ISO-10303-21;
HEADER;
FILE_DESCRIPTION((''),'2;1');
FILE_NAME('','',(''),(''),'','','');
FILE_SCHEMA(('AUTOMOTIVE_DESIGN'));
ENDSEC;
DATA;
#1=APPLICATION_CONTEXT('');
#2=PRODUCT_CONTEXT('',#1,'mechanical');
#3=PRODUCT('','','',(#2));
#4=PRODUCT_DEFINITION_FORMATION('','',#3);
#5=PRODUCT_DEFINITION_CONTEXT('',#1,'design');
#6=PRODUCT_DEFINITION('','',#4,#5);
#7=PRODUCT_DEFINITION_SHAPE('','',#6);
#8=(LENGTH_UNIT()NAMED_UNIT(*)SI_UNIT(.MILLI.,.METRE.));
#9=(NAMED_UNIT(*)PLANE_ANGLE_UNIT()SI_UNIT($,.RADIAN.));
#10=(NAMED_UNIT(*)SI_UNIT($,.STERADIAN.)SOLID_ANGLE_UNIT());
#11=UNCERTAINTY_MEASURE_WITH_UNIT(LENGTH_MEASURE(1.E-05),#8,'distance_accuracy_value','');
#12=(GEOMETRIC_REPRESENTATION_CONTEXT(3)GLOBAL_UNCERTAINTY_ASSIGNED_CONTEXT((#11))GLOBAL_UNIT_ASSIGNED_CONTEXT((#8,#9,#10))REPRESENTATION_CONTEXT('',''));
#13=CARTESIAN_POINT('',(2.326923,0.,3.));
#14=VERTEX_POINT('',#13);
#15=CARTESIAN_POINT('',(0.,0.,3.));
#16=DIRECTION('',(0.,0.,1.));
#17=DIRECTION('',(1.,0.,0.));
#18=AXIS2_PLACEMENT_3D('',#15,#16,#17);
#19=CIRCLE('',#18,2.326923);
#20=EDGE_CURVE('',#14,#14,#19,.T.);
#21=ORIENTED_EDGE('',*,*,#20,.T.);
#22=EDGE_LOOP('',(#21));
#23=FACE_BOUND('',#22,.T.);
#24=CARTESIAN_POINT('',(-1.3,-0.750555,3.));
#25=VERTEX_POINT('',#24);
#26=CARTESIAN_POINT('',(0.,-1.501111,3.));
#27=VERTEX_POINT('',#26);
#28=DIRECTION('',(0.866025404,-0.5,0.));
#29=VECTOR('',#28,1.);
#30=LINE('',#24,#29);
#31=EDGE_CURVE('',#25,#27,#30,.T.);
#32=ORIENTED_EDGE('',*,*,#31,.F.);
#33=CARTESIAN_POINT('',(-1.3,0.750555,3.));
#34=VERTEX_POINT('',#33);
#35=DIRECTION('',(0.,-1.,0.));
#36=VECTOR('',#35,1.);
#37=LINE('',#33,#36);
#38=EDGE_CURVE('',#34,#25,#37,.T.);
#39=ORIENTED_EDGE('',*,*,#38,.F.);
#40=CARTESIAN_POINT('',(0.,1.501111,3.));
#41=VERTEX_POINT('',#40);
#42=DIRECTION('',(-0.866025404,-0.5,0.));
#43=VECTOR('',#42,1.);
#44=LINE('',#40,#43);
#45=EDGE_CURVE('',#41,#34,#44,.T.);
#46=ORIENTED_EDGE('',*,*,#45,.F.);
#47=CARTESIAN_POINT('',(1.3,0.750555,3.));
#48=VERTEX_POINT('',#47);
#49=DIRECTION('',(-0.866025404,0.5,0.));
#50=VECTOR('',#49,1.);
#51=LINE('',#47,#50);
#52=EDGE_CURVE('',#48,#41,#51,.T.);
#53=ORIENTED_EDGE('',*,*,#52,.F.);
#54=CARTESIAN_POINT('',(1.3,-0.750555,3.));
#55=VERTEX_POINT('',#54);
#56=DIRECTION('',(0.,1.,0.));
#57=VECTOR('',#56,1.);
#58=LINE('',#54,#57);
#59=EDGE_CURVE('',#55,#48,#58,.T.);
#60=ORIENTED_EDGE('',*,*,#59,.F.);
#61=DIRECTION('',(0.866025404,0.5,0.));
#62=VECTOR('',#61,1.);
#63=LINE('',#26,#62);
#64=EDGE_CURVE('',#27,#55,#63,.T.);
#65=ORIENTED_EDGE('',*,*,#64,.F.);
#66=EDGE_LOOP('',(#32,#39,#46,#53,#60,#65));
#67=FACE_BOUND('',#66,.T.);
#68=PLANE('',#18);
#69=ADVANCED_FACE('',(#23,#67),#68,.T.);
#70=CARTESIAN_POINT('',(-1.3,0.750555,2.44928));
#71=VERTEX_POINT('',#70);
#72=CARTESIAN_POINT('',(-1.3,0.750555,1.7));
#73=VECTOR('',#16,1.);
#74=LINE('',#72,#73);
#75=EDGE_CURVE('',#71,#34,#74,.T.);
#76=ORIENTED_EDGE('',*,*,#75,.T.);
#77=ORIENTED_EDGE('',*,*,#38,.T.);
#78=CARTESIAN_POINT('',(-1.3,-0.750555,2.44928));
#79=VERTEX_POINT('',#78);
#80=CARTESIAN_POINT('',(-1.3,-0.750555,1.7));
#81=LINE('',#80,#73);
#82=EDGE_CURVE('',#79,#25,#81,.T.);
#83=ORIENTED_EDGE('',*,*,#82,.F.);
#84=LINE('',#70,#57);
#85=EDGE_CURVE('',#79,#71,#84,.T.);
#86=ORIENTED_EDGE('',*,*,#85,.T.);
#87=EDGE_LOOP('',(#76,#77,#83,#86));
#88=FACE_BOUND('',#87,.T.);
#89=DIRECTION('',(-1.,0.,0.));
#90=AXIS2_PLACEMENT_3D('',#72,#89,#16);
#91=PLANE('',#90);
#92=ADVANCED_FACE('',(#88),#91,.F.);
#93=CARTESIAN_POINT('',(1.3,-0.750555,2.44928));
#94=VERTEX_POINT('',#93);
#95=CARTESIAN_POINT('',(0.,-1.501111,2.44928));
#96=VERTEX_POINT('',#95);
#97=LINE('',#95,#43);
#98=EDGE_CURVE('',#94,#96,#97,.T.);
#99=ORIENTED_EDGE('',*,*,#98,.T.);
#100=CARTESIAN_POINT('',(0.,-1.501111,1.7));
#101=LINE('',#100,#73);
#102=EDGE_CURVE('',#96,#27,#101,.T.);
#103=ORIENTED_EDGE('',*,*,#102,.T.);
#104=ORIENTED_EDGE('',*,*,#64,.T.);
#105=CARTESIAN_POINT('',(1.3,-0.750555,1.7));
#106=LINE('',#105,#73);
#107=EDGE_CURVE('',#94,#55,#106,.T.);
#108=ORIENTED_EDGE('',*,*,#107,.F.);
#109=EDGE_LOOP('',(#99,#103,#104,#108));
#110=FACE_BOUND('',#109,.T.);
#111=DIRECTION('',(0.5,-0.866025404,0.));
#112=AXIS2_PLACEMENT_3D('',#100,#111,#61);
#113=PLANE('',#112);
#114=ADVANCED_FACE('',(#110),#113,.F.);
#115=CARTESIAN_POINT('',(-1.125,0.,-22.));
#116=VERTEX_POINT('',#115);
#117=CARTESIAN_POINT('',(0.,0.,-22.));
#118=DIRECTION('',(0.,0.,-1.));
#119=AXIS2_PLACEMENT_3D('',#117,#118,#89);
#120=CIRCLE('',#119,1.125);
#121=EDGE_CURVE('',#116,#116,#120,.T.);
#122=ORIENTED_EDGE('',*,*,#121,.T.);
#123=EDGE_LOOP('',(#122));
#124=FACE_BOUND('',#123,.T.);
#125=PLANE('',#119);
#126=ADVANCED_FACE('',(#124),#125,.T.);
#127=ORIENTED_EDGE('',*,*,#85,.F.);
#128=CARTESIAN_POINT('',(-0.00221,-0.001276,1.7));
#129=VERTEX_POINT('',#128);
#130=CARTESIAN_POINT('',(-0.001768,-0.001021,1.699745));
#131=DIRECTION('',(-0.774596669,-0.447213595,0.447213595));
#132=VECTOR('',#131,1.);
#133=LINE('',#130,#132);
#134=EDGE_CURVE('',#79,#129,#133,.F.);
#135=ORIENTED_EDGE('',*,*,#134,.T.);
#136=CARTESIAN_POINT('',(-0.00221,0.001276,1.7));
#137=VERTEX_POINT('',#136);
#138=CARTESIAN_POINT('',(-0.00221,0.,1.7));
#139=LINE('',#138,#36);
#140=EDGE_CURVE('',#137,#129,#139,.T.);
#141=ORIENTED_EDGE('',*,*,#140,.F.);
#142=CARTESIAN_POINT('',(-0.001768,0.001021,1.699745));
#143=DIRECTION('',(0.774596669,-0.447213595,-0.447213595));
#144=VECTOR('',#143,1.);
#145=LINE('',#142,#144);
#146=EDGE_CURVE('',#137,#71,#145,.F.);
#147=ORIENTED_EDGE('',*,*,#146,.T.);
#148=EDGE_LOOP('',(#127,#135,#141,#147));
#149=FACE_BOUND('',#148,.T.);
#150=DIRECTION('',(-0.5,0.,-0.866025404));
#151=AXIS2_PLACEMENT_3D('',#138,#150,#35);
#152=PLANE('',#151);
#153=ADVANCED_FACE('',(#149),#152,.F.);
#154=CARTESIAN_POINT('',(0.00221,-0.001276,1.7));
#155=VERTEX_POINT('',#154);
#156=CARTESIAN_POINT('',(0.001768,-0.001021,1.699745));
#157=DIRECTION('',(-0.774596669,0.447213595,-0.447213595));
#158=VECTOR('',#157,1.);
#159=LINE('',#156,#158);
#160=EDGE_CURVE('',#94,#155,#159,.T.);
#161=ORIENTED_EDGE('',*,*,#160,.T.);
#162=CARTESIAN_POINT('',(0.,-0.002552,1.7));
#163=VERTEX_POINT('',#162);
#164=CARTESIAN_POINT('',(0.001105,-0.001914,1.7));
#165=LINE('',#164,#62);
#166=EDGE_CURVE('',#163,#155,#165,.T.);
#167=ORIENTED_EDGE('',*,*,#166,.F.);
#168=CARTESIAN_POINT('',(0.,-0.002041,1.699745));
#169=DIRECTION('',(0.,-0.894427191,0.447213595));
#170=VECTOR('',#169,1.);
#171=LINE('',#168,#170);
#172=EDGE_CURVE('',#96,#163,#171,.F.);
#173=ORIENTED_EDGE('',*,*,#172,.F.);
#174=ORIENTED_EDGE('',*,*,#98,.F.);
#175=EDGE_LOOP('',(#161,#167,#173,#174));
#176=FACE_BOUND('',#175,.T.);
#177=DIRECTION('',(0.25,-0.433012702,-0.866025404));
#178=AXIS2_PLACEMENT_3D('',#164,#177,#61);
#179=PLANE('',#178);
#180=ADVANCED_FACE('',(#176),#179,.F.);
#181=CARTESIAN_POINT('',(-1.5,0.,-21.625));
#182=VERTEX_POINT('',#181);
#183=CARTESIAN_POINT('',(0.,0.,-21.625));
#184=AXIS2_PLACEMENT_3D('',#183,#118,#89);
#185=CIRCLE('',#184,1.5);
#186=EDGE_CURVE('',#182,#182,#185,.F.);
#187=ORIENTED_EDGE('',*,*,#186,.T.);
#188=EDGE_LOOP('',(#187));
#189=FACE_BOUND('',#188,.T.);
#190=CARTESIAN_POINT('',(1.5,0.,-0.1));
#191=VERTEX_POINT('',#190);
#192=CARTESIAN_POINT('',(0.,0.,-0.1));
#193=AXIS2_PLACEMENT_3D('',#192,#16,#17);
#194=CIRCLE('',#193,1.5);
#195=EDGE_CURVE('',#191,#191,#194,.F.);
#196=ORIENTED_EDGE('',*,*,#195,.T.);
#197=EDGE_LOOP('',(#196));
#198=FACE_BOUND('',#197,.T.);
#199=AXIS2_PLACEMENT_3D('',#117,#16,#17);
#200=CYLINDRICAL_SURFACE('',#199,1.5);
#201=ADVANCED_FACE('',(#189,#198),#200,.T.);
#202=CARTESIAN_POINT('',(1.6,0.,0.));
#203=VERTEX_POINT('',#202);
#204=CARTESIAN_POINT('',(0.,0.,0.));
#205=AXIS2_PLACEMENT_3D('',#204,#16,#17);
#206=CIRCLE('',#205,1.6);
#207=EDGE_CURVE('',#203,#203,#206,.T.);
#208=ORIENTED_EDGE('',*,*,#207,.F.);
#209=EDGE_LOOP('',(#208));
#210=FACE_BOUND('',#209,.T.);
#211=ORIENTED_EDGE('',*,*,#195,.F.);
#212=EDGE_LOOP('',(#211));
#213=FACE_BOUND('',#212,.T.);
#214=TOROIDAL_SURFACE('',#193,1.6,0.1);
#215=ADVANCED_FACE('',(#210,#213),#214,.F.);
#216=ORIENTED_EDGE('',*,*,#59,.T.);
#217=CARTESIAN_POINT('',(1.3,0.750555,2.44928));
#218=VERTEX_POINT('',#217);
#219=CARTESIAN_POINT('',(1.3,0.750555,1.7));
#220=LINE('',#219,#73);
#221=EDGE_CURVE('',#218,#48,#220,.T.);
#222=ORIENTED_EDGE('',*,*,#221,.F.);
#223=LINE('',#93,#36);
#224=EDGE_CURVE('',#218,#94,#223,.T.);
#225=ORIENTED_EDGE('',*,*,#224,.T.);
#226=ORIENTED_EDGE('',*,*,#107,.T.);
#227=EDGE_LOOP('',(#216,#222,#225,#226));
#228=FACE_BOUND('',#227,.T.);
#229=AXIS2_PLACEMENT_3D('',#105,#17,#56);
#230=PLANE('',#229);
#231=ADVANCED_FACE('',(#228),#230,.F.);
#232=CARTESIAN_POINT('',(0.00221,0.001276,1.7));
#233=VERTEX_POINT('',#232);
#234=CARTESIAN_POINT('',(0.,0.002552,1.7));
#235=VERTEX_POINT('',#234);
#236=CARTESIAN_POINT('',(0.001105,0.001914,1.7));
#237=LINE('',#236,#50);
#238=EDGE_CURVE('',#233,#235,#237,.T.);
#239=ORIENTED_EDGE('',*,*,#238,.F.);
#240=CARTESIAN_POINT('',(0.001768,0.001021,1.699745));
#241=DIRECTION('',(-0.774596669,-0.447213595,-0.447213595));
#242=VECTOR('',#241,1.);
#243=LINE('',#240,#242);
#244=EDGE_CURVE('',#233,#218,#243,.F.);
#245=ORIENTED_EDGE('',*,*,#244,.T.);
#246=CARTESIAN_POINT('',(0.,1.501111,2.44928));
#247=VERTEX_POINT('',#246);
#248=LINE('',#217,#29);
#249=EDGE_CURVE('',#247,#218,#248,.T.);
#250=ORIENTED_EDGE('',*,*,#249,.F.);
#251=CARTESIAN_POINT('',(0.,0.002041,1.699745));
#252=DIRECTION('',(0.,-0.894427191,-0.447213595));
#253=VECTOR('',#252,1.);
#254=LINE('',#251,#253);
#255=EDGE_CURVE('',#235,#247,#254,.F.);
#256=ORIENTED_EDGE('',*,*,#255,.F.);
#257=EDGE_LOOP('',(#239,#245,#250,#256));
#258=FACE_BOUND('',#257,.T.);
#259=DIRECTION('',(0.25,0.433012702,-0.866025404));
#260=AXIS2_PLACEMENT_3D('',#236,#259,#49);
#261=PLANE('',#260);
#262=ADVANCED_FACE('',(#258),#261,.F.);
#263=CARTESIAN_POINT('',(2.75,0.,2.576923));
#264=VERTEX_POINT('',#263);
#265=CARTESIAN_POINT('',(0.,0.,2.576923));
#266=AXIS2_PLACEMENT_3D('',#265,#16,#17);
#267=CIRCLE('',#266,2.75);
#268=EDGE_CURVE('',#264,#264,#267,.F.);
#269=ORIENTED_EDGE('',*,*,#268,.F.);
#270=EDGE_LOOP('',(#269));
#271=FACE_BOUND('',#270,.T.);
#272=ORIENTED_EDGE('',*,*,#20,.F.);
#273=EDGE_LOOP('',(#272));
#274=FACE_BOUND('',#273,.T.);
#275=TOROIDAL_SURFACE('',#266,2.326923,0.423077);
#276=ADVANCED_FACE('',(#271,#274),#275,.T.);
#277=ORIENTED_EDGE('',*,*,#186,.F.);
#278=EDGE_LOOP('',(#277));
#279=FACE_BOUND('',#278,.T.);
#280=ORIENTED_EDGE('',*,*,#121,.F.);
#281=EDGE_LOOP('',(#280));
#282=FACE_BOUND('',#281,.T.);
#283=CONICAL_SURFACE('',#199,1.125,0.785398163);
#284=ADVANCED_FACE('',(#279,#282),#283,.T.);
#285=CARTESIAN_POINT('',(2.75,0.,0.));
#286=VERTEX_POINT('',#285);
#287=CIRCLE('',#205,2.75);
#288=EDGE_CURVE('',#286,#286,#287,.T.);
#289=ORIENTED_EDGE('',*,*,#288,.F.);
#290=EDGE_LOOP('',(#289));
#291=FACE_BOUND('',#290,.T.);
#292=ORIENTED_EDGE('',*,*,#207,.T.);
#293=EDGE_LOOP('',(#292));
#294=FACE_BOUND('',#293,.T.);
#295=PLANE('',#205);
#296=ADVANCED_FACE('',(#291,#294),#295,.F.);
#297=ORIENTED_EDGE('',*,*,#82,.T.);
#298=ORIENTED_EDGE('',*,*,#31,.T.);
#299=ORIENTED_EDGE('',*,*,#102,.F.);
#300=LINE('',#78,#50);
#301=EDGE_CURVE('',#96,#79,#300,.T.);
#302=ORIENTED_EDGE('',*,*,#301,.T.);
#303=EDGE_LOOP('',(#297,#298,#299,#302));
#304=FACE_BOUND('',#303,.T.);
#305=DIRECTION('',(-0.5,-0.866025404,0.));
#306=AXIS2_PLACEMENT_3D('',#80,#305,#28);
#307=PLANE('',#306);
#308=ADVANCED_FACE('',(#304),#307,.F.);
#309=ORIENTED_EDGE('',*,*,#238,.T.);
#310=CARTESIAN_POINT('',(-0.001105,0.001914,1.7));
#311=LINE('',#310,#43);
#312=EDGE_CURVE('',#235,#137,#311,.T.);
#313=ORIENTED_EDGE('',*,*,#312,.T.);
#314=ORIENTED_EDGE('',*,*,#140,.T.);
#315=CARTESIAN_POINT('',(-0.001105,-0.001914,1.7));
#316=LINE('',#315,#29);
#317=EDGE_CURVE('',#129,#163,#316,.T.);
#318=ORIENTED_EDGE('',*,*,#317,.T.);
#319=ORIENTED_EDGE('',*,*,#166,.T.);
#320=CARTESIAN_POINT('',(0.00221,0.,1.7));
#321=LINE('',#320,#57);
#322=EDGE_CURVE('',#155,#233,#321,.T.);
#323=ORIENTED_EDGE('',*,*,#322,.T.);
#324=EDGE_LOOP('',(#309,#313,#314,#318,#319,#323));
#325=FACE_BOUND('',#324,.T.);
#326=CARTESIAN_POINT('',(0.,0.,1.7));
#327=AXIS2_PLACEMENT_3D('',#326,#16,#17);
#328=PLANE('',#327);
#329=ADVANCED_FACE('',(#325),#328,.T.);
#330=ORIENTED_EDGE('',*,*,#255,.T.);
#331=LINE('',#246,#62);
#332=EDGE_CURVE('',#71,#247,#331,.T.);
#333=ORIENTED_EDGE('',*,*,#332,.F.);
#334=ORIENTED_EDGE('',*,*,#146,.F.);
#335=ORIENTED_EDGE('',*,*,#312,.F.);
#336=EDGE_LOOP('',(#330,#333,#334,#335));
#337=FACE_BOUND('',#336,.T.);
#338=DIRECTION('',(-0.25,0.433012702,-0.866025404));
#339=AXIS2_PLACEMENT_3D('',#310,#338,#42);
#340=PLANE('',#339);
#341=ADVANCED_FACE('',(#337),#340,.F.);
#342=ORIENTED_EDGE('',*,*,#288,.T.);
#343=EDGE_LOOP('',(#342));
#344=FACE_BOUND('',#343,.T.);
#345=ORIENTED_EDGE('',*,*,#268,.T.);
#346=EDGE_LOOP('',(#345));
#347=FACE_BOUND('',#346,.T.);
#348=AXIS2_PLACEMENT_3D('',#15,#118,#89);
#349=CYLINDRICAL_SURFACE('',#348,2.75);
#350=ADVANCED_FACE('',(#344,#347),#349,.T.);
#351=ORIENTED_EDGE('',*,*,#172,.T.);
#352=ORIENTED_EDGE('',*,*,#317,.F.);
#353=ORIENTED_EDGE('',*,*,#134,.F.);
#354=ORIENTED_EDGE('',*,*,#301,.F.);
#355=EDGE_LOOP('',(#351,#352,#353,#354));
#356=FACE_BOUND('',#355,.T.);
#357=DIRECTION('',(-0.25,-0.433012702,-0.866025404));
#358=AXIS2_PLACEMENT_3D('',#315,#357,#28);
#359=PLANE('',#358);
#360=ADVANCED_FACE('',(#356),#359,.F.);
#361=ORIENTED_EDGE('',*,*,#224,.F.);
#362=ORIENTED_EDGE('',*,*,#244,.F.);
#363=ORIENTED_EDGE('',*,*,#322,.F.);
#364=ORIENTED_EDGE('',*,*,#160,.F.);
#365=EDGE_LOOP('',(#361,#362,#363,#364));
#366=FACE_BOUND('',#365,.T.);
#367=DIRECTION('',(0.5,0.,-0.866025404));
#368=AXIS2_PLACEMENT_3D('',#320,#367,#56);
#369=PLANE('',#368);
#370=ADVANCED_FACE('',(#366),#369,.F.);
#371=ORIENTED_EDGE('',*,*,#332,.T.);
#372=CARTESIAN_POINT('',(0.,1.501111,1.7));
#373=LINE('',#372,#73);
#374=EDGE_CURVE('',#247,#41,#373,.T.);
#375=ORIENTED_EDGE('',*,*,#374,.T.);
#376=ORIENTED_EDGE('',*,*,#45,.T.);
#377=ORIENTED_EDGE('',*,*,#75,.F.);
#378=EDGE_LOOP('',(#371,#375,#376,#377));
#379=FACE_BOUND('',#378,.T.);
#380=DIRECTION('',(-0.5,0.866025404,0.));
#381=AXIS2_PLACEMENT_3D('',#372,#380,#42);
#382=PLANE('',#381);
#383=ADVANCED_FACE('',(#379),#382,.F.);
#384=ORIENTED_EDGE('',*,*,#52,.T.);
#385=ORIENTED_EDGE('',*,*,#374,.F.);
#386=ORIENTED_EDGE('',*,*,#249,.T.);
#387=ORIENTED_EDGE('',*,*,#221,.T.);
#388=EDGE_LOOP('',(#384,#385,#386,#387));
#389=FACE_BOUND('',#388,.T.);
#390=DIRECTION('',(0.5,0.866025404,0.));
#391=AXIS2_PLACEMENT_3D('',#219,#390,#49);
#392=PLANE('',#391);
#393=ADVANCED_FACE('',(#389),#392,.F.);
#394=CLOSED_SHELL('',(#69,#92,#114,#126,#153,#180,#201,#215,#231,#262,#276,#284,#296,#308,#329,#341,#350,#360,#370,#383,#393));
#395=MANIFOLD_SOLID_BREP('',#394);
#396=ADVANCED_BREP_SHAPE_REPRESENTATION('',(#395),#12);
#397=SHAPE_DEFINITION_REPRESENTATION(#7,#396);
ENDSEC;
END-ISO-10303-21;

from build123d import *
from OCP.BRepFilletAPI import BRepFilletAPI_MakeChamfer

# Parameters (mm, degrees)
SKETCH_1_R          = 2.75
EXTRUDE_1_DEPTH     = 3
CUT_EXTRUDE_1_DEPTH = 1.3
SKETCH_3_R          = 1.5
EXTRUDE_2_DEPTH     = 22
CHAMFER_1_SIZE      = 0.375
FILLET_1_R          = 0.423076923
CHAMFER_2_SIZE      = 0.749279539
CHAMFER_2_SIZE2     = 1.29779023
FILLET_2_R          = 0.1


with BuildPart() as part:
    # 草图1 → 凸台-拉伸1 (new body)
    with BuildSketch(Plane.XY):
        Circle(SKETCH_1_R)
    extrude(amount=EXTRUDE_1_DEPTH)

    # 草图2 → 切除-拉伸1 (cut)
    with BuildSketch(Plane.XY.offset(3)):
        Polygon((1.3, 0.75055535), (0, 1.5011107), (-1.3, 0.75055535), (-1.3, -0.75055535), (0, -1.5011107), (1.3, -0.75055535), align=None)
    extrude(amount=-CUT_EXTRUDE_1_DEPTH, mode=Mode.SUBTRACT)

    # 草图3 → 凸台-拉伸2 (add)
    with BuildSketch(Plane(origin=(0, 0, 0), x_dir=(-1, 0, 0), z_dir=(0, 0, -1))):
        Circle(SKETCH_3_R)
    extrude(amount=EXTRUDE_2_DEPTH)

    # 倒角1
    chamfer_1_edges = [part.edges().sort_by_distance(p)[0] for p in [
        (1.5, 0, -22),
    ]]
    chamfer(chamfer_1_edges, length=CHAMFER_1_SIZE)

    # 圆角1
    fillet_1_edges = [part.edges().sort_by_distance(p)[0] for p in [
        (-2.75, 0, 3),
    ]]
    fillet(fillet_1_edges, radius=FILLET_1_R)

    # 倒角2: one chamfer whose edges measure the first distance from different faces: ONE call of the kernel's chamfer builder (chamfer() names one face for all edges)
    chamfer_2_edges_1 = [part.edges().sort_by_distance(p)[0] for p in [
        (-1.3, 0, 1.7),
    ]]
    chamfer_2_side_1 = [part.faces().sort_by_distance(p)[0] for p in [
        (-1.3, 0, 2.35),
    ]]
    chamfer_2_edges_2 = [part.edges().sort_by_distance(p)[0] for p in [
        (-0.65, 1.125833025, 1.7),
    ]]
    chamfer_2_side_2 = [part.faces().sort_by_distance(p)[0] for p in [
        (-0.65, 1.125833025, 2.35),
    ]]
    chamfer_2_edges_3 = [part.edges().sort_by_distance(p)[0] for p in [
        (0.65, 1.125833025, 1.7),
    ]]
    chamfer_2_side_3 = [part.faces().sort_by_distance(p)[0] for p in [
        (0.65, 1.125833025, 2.35),
    ]]
    chamfer_2_edges_4 = [part.edges().sort_by_distance(p)[0] for p in [
        (1.3, 0, 1.7),
    ]]
    chamfer_2_side_4 = [part.faces().sort_by_distance(p)[0] for p in [
        (1.3, 0, 2.35),
    ]]
    chamfer_2_edges_5 = [part.edges().sort_by_distance(p)[0] for p in [
        (-0.65, -1.125833025, 1.7),
    ]]
    chamfer_2_side_5 = [part.faces().sort_by_distance(p)[0] for p in [
        (-0.65, -1.125833025, 2.35),
    ]]
    chamfer_2_edges_6 = [part.edges().sort_by_distance(p)[0] for p in [
        (0.65, -1.125833025, 1.7),
    ]]
    chamfer_2_side_6 = [part.faces().sort_by_distance(p)[0] for p in [
        (0.65, -1.125833025, 2.35),
    ]]
    chamfer_2 = BRepFilletAPI_MakeChamfer(part.part.solid().wrapped)
    for e in chamfer_2_edges_1:
        chamfer_2.Add(CHAMFER_2_SIZE, CHAMFER_2_SIZE2, e.wrapped, chamfer_2_side_1[0].wrapped)  # the first distance lies on this face
    for e in chamfer_2_edges_2:
        chamfer_2.Add(CHAMFER_2_SIZE, CHAMFER_2_SIZE2, e.wrapped, chamfer_2_side_2[0].wrapped)  # the first distance lies on this face
    for e in chamfer_2_edges_3:
        chamfer_2.Add(CHAMFER_2_SIZE, CHAMFER_2_SIZE2, e.wrapped, chamfer_2_side_3[0].wrapped)  # the first distance lies on this face
    for e in chamfer_2_edges_4:
        chamfer_2.Add(CHAMFER_2_SIZE, CHAMFER_2_SIZE2, e.wrapped, chamfer_2_side_4[0].wrapped)  # the first distance lies on this face
    for e in chamfer_2_edges_5:
        chamfer_2.Add(CHAMFER_2_SIZE, CHAMFER_2_SIZE2, e.wrapped, chamfer_2_side_5[0].wrapped)  # the first distance lies on this face
    for e in chamfer_2_edges_6:
        chamfer_2.Add(CHAMFER_2_SIZE, CHAMFER_2_SIZE2, e.wrapped, chamfer_2_side_6[0].wrapped)  # the first distance lies on this face
    add(Compound.cast(chamfer_2.Shape()), mode=Mode.REPLACE)

    # 圆角2
    fillet_2_edges = [part.edges().sort_by_distance(p)[0] for p in [
        (1.5, 0, 0),
    ]]
    fillet(fillet_2_edges, radius=FILLET_2_R)


solid = part.part
